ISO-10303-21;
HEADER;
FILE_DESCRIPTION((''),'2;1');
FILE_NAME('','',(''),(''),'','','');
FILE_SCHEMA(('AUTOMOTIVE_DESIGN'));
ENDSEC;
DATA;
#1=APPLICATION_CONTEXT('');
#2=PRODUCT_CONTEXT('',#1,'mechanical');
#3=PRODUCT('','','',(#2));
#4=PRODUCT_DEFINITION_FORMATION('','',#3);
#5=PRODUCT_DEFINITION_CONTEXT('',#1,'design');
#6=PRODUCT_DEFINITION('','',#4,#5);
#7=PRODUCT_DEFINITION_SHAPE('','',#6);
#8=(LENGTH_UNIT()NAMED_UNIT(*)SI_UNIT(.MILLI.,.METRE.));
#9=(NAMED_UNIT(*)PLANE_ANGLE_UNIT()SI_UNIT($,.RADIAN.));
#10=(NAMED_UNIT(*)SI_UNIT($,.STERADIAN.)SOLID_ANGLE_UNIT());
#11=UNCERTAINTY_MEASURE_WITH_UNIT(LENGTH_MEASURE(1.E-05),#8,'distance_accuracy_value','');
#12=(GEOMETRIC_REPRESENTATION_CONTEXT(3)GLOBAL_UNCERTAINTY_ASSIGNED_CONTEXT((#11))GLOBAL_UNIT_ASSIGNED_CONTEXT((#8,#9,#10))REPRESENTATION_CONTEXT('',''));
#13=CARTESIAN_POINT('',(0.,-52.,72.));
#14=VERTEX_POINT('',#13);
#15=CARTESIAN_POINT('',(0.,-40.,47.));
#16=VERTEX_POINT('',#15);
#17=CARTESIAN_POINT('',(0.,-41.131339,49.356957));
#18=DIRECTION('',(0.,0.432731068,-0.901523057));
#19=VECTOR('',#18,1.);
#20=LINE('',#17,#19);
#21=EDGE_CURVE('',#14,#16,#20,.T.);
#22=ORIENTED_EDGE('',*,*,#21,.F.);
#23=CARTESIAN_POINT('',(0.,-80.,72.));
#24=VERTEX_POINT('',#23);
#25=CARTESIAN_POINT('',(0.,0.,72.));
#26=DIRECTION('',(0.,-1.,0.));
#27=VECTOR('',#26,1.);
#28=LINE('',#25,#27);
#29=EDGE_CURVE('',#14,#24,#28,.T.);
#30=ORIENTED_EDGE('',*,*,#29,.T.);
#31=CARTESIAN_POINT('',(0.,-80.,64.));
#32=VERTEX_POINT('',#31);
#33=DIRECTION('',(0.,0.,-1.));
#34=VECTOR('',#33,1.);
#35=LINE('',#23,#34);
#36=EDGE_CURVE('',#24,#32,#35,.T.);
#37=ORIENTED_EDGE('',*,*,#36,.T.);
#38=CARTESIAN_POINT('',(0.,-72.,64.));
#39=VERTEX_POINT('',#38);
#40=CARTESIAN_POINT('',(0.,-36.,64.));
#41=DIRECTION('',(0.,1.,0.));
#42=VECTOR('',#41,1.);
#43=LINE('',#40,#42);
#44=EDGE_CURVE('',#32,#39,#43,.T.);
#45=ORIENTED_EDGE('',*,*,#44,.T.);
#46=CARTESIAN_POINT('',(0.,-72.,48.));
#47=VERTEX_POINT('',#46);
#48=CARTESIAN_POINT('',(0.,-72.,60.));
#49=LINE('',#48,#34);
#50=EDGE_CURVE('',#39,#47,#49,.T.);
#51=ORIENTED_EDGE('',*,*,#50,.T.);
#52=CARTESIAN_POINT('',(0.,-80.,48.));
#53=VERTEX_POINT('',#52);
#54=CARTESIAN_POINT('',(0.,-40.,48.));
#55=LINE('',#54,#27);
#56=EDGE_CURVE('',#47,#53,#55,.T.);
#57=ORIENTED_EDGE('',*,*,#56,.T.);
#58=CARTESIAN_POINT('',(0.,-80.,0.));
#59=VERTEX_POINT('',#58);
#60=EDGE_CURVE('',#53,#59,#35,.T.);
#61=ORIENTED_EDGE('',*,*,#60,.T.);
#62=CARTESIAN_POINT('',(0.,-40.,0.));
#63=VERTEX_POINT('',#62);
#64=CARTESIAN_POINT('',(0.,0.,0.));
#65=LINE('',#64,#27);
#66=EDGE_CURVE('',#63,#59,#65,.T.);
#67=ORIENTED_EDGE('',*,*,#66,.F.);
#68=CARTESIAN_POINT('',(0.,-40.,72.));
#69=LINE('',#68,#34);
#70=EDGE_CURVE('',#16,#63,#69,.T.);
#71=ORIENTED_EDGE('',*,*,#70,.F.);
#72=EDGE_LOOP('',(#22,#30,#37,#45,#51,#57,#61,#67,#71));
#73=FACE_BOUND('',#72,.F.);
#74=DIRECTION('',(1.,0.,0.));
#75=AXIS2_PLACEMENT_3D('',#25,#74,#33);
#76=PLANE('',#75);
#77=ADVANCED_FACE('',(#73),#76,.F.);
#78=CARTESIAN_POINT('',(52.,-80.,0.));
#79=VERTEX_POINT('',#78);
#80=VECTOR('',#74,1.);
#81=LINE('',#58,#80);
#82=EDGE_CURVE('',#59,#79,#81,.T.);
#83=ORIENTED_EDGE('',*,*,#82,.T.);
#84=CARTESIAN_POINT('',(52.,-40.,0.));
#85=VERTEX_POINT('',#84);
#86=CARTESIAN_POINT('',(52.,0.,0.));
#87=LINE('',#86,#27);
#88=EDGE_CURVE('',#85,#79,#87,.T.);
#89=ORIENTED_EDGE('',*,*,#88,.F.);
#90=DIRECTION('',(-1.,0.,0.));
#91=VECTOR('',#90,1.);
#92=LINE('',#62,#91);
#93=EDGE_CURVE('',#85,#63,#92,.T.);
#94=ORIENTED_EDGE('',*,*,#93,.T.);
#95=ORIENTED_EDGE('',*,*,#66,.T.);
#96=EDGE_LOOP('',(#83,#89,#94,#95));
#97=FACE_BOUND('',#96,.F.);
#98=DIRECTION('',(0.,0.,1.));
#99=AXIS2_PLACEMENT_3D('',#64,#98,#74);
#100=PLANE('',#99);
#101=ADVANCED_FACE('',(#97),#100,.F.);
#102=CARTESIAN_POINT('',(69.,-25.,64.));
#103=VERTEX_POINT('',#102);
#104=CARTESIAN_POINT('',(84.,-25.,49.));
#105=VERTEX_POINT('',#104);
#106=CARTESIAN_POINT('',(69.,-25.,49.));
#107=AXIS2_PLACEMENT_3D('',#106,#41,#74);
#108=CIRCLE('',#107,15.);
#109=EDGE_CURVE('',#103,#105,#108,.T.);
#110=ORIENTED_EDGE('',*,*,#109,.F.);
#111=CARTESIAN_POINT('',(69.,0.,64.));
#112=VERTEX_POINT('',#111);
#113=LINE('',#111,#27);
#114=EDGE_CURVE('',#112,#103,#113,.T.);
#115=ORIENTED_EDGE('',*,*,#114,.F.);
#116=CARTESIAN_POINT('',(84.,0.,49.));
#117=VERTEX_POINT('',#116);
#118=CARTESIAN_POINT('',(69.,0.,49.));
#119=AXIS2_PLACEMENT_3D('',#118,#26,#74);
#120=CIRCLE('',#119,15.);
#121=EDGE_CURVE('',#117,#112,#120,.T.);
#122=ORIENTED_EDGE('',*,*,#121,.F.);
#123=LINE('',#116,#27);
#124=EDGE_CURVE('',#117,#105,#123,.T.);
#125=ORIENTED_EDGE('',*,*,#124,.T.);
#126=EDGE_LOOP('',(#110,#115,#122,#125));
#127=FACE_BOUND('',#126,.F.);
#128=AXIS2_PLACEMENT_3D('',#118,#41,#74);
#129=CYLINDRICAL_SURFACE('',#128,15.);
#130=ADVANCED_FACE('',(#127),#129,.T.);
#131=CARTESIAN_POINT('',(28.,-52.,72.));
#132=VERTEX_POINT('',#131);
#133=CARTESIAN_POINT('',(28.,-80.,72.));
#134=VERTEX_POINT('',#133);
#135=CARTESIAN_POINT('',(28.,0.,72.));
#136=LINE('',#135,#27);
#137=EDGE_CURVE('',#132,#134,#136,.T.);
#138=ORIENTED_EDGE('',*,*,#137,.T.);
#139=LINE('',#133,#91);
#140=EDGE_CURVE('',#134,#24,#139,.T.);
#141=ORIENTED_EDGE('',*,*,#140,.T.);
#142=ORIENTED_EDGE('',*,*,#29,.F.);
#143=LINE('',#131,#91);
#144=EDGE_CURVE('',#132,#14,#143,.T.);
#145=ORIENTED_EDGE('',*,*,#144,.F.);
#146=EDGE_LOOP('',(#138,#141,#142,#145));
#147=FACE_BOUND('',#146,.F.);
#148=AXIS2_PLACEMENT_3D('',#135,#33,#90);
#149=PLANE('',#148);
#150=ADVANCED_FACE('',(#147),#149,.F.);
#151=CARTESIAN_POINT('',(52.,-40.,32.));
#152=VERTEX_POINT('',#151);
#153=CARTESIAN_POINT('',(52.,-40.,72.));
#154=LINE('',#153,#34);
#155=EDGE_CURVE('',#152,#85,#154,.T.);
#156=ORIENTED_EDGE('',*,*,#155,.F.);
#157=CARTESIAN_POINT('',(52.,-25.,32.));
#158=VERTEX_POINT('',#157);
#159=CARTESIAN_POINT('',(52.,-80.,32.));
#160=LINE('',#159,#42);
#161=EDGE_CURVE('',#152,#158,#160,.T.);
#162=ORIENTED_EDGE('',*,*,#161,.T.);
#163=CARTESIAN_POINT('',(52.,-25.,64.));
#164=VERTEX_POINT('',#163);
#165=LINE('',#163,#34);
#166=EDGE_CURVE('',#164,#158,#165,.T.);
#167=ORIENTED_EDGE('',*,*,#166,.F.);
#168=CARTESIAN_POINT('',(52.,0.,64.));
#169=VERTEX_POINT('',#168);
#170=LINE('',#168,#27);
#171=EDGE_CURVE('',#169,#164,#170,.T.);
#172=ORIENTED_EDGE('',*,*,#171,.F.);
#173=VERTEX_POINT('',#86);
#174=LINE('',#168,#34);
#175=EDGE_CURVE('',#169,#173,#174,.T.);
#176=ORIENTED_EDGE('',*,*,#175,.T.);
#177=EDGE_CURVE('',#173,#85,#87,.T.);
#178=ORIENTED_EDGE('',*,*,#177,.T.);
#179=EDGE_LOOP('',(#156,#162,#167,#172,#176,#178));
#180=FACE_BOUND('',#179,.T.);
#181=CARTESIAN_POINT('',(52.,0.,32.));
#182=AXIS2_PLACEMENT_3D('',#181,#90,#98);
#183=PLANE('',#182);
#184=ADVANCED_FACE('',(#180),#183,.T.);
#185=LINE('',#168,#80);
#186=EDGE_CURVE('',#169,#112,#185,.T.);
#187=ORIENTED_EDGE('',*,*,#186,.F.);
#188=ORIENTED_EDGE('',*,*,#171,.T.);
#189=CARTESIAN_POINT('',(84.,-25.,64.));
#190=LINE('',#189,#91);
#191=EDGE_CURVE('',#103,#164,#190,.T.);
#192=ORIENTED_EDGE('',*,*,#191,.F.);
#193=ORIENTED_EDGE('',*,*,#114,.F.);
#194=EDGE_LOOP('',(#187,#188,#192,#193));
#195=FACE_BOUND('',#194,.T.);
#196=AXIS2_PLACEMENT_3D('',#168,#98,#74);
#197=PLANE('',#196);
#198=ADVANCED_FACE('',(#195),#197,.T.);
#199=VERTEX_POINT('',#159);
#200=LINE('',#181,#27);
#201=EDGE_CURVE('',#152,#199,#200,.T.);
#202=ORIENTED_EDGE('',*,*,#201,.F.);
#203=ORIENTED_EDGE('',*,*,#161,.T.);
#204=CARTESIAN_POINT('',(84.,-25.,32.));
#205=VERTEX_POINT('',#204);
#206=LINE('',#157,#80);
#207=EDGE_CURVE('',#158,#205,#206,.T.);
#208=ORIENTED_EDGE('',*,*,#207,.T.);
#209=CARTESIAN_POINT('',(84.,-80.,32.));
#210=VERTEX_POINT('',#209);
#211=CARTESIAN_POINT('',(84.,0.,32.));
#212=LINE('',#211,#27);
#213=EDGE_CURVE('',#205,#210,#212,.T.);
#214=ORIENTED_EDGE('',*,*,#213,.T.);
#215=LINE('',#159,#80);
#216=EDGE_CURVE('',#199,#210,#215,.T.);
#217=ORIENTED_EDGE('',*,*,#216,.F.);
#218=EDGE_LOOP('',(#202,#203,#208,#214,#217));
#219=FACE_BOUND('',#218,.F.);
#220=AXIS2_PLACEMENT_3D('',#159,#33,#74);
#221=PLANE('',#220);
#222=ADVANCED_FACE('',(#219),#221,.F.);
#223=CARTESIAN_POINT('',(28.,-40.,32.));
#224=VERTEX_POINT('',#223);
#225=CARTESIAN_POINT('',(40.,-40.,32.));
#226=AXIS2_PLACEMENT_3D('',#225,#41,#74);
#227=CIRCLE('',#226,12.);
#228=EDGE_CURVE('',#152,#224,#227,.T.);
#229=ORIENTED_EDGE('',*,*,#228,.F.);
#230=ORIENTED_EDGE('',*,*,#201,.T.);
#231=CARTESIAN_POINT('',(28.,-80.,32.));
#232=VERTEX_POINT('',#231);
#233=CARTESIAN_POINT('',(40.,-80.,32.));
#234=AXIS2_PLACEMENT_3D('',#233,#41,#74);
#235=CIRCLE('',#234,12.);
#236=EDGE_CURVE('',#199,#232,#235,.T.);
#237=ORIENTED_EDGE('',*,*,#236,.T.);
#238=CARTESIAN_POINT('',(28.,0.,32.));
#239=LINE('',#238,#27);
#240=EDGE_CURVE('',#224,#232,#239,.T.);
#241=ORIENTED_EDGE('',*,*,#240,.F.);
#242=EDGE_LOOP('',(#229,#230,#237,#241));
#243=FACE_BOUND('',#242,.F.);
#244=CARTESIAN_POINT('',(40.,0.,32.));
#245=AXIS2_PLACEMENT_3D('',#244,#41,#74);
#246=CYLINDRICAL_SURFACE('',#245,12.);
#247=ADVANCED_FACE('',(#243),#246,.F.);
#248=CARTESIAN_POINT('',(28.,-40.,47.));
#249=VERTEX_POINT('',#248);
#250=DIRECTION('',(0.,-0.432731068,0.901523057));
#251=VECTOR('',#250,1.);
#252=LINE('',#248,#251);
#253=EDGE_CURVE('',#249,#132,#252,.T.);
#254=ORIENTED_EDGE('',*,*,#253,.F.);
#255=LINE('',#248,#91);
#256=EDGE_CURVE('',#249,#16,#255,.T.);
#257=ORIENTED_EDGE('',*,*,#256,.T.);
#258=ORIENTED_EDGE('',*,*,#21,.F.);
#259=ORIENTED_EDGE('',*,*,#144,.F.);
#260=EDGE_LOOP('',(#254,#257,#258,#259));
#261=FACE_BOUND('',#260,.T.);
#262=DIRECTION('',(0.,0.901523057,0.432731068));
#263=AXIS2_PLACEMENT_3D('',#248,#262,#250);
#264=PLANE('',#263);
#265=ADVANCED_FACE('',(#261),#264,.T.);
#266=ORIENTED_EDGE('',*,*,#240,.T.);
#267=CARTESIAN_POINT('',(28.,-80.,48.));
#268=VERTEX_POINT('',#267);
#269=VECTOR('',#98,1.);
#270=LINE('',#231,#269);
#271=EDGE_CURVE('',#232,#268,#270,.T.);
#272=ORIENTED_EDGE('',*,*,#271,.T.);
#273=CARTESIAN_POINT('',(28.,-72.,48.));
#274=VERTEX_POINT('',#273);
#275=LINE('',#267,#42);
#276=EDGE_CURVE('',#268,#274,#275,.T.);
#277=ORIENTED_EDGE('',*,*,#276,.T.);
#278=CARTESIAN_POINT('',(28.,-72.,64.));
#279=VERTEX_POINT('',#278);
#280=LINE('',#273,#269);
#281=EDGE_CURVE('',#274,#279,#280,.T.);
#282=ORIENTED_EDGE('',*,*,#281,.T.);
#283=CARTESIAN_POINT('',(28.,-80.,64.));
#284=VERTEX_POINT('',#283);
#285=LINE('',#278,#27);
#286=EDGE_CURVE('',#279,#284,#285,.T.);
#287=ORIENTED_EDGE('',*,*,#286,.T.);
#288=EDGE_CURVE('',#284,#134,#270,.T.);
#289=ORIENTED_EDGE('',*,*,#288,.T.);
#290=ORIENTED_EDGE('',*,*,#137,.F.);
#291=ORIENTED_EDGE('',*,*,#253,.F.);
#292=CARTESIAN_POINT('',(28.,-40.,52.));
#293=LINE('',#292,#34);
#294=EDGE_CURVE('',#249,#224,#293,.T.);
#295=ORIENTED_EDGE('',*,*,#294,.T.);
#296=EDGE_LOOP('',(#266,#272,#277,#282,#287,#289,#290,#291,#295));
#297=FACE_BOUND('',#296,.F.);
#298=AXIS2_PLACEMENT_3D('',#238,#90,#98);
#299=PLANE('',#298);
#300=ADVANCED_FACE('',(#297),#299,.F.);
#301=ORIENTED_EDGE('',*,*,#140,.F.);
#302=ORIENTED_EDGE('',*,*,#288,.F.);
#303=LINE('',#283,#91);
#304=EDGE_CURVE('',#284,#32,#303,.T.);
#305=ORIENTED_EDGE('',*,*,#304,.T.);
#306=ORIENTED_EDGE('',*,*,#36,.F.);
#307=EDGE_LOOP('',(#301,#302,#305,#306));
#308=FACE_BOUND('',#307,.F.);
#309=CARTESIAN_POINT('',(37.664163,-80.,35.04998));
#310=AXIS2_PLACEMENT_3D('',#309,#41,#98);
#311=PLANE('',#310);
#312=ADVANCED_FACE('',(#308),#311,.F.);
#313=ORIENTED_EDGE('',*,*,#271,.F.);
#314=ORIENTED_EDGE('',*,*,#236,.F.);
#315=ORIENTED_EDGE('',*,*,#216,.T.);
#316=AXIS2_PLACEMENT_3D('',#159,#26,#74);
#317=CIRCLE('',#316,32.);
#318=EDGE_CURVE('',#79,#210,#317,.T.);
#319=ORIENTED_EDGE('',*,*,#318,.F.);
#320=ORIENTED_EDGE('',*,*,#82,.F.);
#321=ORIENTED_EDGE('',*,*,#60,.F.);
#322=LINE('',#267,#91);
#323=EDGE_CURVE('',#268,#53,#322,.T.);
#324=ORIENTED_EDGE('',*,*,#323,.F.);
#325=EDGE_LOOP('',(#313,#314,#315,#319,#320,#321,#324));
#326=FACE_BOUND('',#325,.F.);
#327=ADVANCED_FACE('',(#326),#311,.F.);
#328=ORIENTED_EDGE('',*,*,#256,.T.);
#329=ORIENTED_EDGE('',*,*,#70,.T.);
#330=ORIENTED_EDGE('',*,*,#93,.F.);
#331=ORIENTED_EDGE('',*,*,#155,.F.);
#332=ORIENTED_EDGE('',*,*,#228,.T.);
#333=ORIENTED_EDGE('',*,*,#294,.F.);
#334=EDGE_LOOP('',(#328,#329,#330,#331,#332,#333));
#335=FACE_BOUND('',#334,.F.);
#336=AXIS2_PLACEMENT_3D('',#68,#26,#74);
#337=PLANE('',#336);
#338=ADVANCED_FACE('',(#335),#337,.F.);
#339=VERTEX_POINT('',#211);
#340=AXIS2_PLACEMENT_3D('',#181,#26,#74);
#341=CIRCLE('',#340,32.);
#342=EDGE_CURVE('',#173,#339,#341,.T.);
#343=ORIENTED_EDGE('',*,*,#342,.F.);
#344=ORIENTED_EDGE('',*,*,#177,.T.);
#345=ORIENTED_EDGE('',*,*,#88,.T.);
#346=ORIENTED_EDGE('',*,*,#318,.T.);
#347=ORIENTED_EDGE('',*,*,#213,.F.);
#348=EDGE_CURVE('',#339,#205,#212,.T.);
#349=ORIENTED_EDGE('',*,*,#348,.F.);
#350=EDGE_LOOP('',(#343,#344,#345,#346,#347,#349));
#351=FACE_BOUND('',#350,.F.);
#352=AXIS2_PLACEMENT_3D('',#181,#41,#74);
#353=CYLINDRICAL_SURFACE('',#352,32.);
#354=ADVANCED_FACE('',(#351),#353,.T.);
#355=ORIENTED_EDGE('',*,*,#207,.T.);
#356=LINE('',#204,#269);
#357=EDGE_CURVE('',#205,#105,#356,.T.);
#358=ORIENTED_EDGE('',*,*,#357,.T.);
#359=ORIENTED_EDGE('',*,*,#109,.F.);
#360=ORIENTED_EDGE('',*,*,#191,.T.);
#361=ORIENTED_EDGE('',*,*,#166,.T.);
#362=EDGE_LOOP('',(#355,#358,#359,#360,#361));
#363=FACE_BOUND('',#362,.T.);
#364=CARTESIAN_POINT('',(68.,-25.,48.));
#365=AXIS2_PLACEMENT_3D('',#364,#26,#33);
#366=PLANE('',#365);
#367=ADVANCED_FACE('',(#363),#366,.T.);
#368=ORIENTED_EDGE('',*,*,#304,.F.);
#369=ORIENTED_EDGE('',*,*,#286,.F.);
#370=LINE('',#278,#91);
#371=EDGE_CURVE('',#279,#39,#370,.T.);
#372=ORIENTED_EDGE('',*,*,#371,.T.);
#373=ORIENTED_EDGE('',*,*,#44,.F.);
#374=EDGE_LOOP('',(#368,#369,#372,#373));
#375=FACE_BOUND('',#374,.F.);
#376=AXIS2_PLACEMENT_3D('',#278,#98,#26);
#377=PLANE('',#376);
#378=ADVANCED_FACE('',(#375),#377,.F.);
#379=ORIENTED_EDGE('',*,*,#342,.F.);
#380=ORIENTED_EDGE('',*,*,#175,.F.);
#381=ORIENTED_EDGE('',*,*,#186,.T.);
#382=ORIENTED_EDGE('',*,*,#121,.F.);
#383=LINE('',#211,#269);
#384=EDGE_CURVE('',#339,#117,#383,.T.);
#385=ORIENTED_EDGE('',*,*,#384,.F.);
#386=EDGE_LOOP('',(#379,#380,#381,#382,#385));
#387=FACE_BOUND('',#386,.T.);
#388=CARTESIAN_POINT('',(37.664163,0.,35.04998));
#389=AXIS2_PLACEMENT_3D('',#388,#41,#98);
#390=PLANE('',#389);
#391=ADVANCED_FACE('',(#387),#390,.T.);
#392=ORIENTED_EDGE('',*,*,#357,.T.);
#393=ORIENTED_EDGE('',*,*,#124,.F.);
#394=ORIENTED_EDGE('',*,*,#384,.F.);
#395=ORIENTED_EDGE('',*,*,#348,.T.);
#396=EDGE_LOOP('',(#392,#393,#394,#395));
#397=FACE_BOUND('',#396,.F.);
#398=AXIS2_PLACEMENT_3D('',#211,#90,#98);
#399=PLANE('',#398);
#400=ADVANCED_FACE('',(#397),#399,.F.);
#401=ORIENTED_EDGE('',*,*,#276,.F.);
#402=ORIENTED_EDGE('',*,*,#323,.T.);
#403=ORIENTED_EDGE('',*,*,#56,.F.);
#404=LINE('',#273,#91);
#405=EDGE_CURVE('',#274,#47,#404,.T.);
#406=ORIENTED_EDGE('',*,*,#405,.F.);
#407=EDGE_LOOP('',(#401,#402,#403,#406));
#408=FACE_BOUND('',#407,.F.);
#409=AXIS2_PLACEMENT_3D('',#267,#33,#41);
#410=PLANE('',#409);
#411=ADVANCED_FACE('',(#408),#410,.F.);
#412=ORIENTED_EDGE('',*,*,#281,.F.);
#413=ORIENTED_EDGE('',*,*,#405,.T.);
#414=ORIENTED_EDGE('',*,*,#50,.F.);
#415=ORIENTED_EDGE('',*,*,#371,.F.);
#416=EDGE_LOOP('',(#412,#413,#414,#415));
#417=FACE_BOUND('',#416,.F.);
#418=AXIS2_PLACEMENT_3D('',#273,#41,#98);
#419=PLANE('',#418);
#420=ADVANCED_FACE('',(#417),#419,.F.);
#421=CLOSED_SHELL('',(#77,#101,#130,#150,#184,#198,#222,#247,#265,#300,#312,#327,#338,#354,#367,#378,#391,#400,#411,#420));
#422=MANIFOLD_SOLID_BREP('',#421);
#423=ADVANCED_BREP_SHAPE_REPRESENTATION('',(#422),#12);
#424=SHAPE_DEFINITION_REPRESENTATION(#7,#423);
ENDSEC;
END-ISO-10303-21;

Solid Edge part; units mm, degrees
sketch "Sketch1" plane through (0, 0, 0) normal (0, -1, 0) x (1, 0, 0)
  line L0 (52, 64) -> (69, 64)
  arc A0 (84, 49) -> (69, 64) centre (69, 49) ccw
  line L1 (84, 32) -> (84, 49)
  arc A1 (52, 0) -> (84, 32) centre (52, 32) ccw
  line L2 (0, 0) -> (52, 0)
  line L3 (0, 72) -> (0, 0)
  line L4 (28, 72) -> (0, 72)
  line L5 (28, 32) -> (28, 72)
  line L6 (52, 32) -> (52, 64)
  arc A2 (52, 32) -> (28, 32) centre (40, 32) cw
extrude "Protrusion1" add sketch "Sketch1" along normal blind 80
sketch "Sketch2" plane through (14, -40, 72) normal (0, 0, 1) x (1, 0, 0)
  line L0 (38, 40) -> (-14, 40)
  line L1 (-14, 40) -> (-14, 0)
  line L2 (-14, 0) -> (38, 0)
  line L3 (38, 0) -> (38, 40)
extrude "Cutout1" cut sketch "Sketch2" against normal up to next
sketch "Sketch3" plane through (42, -80, 36) normal (0, -1, 0) x (1, 0, 0)
  line L0 (42, 28) -> (10, 28)
  line L1 (10, 28) -> (10, -4)
  line L2 (10, -4) -> (42, -4)
  line L3 (42, -4) -> (42, 28)
extrude "ExtrudedCutout_2" cut sketch "Sketch3" against normal blind 55
sketch "Sketch4" plane through (28, -60, 52) normal (1, 0, 0) x (0, 1, 0)
  line L0 (-12, 12) -> (-20, 12)
  line L1 (-20, 12) -> (-20, -4)
  line L2 (-20, -4) -> (-12, -4)
  line L3 (-12, -4) -> (-12, 12)
  line L4 (20, -5) -> (8, 20)
  line L5 (20, 20) -> (8, 20)
  line L6 (20, 20) -> (20, -5)
extrude "Cutout2" cut sketch "Sketch4" against normal up to next
